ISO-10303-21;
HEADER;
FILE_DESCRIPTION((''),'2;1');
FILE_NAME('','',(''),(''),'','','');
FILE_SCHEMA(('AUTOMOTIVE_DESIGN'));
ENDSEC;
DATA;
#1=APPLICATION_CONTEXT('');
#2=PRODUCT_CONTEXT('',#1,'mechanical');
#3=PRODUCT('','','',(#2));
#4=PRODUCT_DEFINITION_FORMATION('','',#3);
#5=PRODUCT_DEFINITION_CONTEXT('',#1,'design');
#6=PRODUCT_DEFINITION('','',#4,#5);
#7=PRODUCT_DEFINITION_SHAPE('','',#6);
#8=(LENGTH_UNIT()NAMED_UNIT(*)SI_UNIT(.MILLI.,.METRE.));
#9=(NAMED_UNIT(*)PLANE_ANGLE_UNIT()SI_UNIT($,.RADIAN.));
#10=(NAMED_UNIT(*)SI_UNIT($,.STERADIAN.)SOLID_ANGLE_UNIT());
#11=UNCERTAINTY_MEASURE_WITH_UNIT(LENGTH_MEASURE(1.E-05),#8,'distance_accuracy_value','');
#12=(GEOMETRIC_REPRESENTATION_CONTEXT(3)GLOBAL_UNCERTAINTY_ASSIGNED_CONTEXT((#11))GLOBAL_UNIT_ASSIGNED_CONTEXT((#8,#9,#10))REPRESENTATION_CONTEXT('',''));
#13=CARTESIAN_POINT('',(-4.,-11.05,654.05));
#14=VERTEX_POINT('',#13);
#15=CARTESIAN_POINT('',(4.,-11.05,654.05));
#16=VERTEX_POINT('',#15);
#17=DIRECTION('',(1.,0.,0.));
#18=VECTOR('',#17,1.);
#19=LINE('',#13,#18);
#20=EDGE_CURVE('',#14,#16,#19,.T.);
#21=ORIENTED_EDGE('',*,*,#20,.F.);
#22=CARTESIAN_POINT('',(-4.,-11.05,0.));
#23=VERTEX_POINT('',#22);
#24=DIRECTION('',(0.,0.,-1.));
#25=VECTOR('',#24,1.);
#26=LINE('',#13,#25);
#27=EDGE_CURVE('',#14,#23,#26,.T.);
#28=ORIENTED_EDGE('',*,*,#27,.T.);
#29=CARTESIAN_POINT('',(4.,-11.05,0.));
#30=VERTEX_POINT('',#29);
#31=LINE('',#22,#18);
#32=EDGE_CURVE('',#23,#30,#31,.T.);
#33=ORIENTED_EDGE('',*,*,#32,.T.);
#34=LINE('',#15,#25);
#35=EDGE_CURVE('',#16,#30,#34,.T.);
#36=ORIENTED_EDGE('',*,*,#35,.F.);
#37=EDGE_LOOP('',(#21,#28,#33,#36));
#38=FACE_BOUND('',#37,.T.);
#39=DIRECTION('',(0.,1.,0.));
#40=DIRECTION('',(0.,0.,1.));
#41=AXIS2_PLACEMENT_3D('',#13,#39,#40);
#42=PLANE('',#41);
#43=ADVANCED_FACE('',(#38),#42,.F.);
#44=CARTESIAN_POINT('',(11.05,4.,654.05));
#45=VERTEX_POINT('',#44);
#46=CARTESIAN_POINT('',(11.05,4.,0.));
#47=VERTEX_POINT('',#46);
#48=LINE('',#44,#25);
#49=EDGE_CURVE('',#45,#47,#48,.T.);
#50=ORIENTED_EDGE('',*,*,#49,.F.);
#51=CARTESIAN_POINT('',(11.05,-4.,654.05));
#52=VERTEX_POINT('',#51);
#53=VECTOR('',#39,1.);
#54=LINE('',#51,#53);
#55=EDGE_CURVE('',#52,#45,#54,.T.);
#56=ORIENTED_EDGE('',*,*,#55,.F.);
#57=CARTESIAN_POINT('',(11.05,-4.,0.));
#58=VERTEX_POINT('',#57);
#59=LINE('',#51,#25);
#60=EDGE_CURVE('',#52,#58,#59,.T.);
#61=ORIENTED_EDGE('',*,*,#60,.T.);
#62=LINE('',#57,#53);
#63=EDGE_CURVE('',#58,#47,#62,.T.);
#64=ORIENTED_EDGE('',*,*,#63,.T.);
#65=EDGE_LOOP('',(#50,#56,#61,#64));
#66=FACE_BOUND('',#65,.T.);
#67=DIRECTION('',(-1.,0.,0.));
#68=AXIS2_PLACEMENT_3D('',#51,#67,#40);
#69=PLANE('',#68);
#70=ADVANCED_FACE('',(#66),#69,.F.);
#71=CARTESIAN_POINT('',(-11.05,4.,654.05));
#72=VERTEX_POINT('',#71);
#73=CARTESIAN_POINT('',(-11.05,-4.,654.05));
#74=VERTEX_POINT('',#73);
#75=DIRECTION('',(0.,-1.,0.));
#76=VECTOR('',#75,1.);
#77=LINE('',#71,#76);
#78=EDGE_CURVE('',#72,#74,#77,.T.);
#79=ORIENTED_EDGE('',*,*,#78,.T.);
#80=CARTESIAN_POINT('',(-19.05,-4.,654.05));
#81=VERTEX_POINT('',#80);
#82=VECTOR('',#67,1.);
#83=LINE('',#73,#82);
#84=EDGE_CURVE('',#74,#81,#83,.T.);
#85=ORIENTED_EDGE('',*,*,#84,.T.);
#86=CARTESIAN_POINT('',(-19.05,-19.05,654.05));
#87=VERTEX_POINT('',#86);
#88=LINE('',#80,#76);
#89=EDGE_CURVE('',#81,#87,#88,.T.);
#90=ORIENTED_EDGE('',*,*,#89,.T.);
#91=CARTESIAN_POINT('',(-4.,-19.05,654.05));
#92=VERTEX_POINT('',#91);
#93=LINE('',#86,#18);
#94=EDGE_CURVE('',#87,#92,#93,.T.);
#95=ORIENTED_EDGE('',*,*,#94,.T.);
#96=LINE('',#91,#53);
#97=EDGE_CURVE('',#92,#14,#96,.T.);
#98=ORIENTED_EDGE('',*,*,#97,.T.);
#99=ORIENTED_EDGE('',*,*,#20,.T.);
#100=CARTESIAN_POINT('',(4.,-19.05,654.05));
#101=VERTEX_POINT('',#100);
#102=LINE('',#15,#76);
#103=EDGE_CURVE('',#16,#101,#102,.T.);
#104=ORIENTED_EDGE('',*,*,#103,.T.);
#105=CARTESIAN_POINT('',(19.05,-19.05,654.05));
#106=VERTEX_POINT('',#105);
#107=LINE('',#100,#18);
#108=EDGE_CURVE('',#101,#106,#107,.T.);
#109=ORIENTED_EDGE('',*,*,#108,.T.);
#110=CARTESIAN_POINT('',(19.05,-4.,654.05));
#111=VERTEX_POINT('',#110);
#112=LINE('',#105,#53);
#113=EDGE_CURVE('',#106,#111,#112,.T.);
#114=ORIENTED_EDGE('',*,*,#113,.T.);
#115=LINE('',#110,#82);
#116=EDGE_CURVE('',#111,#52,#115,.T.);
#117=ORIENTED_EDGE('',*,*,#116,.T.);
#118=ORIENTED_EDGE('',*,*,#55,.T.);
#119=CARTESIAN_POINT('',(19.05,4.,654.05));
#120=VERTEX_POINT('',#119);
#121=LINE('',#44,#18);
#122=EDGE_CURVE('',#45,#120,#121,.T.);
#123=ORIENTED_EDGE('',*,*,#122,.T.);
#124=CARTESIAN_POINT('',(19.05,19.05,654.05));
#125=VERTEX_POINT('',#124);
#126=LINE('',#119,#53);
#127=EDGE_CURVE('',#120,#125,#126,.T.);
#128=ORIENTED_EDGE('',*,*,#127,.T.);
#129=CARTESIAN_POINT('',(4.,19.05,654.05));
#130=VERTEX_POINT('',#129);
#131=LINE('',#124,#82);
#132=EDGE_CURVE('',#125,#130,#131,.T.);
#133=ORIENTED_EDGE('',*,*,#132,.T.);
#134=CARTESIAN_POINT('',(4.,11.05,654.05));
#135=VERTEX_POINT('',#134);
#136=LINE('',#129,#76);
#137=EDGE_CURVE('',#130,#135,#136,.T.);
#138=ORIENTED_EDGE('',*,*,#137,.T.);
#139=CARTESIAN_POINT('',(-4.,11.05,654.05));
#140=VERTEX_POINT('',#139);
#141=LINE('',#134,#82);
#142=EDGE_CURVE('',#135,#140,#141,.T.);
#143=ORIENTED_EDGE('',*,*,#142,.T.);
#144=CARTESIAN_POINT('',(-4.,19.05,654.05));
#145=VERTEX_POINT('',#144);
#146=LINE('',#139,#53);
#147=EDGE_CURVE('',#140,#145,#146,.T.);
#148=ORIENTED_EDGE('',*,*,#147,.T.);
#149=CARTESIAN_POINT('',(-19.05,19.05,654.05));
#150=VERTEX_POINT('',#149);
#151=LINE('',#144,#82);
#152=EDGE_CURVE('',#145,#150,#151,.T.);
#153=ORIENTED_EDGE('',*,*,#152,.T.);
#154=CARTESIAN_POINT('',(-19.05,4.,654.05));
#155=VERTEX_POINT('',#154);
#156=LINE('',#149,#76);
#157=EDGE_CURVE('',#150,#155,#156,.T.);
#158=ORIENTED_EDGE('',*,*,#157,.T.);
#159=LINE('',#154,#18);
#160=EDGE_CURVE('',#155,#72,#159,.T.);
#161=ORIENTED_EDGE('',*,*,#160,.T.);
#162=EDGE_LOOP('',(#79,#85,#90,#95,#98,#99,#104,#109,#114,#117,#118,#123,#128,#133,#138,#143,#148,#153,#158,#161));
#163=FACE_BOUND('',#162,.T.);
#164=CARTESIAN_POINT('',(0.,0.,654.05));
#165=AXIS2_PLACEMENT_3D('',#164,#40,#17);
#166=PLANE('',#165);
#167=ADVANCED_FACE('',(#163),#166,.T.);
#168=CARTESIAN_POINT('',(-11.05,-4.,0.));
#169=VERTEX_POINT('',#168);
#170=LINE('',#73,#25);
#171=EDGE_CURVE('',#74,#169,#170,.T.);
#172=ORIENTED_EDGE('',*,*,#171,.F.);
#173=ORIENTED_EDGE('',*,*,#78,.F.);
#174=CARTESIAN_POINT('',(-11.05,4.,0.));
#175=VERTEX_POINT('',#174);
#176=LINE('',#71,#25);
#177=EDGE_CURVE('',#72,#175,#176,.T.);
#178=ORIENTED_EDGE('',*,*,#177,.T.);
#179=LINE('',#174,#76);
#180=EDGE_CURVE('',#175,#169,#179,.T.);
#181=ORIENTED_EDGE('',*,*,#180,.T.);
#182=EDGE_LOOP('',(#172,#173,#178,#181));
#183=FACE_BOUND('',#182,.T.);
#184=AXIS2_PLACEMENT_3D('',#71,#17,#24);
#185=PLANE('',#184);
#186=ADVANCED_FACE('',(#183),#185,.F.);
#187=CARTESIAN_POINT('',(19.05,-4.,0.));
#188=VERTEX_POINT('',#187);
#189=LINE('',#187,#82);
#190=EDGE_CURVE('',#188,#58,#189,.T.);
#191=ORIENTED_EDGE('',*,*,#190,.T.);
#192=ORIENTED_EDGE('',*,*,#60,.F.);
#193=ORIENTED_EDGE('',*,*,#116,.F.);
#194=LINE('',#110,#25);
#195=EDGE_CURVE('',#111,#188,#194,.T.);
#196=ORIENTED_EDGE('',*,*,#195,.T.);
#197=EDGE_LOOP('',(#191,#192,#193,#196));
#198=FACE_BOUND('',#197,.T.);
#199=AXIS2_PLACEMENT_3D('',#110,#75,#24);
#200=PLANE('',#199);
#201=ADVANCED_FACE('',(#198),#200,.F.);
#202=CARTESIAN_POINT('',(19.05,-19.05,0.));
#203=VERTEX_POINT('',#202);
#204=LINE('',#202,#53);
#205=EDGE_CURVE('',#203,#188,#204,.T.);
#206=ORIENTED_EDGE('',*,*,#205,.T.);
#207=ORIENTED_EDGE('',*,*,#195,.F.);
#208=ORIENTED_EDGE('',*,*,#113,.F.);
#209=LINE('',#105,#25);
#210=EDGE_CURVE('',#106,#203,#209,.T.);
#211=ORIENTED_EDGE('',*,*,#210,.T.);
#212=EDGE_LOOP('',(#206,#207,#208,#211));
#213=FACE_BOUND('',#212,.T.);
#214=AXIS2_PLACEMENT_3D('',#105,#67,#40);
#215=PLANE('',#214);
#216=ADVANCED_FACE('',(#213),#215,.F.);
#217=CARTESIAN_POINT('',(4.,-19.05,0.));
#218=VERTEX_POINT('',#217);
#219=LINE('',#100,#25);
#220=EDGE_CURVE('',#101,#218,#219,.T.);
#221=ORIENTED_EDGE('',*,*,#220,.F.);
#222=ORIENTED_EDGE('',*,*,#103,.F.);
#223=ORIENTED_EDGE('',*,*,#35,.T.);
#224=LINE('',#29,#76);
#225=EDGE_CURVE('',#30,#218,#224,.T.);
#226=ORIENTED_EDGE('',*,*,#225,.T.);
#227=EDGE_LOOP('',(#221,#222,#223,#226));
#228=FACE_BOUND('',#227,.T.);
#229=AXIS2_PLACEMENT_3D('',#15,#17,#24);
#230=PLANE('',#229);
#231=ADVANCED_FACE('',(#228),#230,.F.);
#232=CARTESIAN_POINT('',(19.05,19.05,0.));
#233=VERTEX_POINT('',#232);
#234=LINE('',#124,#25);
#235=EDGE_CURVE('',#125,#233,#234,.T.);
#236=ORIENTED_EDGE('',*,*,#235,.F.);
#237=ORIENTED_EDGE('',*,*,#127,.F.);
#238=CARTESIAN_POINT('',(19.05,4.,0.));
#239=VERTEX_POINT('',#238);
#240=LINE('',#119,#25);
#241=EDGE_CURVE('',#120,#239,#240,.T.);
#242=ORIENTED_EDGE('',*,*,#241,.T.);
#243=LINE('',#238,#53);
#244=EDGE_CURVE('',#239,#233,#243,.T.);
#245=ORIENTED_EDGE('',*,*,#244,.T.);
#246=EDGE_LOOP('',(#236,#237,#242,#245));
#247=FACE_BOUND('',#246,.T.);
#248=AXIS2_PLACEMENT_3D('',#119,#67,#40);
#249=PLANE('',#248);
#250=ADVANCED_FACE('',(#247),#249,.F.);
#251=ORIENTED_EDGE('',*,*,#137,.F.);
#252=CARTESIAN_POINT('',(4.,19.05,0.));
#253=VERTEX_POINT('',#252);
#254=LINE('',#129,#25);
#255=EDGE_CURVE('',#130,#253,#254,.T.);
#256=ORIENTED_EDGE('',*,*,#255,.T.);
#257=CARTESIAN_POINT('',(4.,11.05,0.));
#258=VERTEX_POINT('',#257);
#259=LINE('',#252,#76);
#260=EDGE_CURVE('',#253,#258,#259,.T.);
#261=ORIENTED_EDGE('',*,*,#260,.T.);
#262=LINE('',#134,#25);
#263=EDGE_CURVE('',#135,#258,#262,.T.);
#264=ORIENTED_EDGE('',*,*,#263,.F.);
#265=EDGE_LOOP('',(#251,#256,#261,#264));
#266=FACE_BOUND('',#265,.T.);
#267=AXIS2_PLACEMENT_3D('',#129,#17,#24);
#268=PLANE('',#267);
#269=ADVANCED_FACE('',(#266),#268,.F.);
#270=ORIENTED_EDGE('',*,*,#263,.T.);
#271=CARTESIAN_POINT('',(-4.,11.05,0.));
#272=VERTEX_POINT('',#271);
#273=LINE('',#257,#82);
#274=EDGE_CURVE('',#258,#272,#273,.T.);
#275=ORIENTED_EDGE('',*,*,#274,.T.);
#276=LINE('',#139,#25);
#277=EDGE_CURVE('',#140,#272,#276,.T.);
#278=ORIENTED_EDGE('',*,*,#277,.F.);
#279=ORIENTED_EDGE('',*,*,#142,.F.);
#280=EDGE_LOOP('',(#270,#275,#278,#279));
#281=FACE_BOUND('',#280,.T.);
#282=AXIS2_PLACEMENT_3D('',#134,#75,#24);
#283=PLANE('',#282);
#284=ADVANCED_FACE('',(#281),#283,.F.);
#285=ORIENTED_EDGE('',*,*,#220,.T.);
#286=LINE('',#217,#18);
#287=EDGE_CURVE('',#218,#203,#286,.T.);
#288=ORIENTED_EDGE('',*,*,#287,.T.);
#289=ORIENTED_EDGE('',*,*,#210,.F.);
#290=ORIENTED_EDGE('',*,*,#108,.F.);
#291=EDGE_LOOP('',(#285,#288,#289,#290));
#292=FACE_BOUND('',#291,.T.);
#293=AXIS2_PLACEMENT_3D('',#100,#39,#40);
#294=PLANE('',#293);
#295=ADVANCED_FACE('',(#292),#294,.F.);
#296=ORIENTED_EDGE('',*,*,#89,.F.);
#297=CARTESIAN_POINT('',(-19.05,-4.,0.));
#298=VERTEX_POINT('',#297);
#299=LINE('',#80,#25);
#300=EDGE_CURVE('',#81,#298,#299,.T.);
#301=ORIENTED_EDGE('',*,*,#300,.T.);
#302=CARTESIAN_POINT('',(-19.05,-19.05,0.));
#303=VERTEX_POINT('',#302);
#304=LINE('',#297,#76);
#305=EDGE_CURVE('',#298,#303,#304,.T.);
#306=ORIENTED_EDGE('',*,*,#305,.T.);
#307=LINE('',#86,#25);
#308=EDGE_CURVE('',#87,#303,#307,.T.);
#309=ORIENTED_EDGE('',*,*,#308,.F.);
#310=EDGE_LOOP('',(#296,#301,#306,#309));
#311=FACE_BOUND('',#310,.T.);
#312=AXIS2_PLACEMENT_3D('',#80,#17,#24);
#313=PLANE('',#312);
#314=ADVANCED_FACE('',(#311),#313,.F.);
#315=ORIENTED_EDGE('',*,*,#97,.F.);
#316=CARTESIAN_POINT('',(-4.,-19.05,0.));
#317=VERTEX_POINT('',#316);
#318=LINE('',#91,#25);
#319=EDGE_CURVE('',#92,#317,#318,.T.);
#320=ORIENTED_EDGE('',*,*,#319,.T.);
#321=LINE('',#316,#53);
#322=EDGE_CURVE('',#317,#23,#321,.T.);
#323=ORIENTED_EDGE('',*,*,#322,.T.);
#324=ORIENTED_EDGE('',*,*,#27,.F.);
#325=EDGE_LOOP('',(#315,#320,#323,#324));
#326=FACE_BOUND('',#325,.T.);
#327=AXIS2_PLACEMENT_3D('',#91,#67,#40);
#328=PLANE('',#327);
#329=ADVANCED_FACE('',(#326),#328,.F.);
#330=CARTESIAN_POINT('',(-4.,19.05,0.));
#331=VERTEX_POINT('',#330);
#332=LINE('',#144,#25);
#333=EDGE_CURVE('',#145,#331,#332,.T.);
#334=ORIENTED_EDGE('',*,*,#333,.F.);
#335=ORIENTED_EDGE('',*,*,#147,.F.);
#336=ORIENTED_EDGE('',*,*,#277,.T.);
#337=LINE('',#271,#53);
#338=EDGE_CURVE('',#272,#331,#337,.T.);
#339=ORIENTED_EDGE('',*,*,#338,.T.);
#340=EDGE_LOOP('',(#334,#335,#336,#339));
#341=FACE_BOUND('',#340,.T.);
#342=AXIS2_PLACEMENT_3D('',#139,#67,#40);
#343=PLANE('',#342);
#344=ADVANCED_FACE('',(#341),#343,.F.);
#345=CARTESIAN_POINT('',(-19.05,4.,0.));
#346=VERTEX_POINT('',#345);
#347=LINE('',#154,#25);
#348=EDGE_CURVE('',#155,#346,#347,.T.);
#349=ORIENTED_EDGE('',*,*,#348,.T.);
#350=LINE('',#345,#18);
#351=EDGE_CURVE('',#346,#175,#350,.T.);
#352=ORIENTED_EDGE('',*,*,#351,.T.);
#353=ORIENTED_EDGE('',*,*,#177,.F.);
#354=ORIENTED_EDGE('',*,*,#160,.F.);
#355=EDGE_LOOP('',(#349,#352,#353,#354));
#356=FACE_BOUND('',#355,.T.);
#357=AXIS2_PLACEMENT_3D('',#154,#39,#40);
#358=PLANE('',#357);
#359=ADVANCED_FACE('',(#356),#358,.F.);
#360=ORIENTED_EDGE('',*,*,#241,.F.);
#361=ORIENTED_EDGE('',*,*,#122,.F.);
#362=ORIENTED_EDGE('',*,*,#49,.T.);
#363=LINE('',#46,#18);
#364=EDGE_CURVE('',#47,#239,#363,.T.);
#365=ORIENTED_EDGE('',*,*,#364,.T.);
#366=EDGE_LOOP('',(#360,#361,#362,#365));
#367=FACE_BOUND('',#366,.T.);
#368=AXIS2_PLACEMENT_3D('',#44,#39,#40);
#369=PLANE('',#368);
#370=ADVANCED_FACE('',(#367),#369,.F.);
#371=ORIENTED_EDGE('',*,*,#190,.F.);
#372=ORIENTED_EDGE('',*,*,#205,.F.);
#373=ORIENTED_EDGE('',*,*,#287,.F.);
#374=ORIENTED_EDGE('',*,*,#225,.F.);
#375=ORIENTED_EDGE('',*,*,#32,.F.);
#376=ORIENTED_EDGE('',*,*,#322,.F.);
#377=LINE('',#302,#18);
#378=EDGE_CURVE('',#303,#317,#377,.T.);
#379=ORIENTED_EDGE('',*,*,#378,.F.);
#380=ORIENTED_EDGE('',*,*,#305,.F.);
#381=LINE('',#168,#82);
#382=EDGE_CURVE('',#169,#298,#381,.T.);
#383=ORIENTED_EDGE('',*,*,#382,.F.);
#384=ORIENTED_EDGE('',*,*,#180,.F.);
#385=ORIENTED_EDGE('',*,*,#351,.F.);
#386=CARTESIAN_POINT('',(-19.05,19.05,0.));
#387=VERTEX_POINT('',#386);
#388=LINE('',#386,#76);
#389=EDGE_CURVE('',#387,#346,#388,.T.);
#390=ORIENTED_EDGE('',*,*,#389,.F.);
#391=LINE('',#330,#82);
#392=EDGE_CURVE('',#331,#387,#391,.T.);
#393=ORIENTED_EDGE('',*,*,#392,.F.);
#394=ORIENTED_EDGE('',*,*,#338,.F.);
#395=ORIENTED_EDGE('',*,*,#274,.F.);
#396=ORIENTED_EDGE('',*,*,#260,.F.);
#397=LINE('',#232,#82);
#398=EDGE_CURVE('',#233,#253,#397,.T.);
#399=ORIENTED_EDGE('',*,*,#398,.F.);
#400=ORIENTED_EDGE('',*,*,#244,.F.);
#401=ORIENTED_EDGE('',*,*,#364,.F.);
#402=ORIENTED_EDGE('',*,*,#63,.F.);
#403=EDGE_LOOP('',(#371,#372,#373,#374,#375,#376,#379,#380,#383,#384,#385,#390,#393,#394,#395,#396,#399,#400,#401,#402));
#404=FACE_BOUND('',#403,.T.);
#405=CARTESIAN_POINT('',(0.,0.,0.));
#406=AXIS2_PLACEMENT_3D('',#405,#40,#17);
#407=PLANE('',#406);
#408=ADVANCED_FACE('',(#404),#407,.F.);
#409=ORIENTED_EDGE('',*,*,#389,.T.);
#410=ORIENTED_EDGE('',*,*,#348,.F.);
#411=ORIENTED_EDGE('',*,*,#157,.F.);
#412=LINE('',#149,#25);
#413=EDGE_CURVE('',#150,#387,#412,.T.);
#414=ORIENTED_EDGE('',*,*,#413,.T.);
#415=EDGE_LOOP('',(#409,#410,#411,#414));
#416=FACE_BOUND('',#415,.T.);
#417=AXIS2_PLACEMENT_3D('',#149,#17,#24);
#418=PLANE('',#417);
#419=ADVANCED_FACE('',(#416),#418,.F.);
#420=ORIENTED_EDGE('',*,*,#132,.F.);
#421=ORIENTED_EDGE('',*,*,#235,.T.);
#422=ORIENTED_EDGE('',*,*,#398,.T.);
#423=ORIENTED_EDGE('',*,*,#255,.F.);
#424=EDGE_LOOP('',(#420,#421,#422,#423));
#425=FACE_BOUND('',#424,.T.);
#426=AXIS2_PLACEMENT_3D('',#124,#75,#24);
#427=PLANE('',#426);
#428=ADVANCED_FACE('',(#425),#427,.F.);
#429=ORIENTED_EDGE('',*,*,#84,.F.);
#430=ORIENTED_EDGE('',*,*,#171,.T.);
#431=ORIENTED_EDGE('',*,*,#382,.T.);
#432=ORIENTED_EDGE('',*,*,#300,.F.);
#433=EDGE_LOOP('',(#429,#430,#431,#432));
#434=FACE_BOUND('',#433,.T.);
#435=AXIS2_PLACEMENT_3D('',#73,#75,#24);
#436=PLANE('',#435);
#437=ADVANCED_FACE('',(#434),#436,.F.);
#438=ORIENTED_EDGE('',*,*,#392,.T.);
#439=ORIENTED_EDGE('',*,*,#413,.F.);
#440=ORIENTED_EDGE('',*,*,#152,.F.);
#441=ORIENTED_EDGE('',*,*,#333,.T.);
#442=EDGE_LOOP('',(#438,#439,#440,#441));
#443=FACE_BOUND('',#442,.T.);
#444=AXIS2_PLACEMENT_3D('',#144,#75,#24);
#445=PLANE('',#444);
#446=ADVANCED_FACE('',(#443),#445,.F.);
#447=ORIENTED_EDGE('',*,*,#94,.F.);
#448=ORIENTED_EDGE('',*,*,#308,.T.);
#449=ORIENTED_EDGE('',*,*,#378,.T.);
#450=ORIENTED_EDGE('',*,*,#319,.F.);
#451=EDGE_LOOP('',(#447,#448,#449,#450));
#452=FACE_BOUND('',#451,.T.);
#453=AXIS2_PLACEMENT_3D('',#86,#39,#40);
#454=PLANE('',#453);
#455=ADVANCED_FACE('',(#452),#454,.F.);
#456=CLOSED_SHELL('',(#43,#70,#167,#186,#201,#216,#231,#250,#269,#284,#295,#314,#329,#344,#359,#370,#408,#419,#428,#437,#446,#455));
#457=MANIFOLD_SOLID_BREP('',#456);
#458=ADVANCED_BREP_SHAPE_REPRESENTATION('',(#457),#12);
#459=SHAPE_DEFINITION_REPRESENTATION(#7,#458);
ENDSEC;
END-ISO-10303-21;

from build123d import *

# Parameters (mm, degrees)
PROFILE_DEPTH = 654.05


with BuildPart() as part:
    # Sketch1 → Profile (new body)
    with BuildSketch(Plane.XY):
        Polygon((-19.05, -19.05), (-4, -19.05), (-4, -11.05), (4, -11.05), (4, -19.05), (19.05, -19.05), (19.05, -4), (11.05, -4), (11.05, 4), (19.05, 4), (19.05, 19.05), (4, 19.05), (4, 11.05), (-4, 11.05), (-4, 19.05), (-19.05, 19.05), (-19.05, 4), (-11.05, 4), (-11.05, -4), (-19.05, -4), align=None)
    extrude(amount=PROFILE_DEPTH)


solid = part.part
